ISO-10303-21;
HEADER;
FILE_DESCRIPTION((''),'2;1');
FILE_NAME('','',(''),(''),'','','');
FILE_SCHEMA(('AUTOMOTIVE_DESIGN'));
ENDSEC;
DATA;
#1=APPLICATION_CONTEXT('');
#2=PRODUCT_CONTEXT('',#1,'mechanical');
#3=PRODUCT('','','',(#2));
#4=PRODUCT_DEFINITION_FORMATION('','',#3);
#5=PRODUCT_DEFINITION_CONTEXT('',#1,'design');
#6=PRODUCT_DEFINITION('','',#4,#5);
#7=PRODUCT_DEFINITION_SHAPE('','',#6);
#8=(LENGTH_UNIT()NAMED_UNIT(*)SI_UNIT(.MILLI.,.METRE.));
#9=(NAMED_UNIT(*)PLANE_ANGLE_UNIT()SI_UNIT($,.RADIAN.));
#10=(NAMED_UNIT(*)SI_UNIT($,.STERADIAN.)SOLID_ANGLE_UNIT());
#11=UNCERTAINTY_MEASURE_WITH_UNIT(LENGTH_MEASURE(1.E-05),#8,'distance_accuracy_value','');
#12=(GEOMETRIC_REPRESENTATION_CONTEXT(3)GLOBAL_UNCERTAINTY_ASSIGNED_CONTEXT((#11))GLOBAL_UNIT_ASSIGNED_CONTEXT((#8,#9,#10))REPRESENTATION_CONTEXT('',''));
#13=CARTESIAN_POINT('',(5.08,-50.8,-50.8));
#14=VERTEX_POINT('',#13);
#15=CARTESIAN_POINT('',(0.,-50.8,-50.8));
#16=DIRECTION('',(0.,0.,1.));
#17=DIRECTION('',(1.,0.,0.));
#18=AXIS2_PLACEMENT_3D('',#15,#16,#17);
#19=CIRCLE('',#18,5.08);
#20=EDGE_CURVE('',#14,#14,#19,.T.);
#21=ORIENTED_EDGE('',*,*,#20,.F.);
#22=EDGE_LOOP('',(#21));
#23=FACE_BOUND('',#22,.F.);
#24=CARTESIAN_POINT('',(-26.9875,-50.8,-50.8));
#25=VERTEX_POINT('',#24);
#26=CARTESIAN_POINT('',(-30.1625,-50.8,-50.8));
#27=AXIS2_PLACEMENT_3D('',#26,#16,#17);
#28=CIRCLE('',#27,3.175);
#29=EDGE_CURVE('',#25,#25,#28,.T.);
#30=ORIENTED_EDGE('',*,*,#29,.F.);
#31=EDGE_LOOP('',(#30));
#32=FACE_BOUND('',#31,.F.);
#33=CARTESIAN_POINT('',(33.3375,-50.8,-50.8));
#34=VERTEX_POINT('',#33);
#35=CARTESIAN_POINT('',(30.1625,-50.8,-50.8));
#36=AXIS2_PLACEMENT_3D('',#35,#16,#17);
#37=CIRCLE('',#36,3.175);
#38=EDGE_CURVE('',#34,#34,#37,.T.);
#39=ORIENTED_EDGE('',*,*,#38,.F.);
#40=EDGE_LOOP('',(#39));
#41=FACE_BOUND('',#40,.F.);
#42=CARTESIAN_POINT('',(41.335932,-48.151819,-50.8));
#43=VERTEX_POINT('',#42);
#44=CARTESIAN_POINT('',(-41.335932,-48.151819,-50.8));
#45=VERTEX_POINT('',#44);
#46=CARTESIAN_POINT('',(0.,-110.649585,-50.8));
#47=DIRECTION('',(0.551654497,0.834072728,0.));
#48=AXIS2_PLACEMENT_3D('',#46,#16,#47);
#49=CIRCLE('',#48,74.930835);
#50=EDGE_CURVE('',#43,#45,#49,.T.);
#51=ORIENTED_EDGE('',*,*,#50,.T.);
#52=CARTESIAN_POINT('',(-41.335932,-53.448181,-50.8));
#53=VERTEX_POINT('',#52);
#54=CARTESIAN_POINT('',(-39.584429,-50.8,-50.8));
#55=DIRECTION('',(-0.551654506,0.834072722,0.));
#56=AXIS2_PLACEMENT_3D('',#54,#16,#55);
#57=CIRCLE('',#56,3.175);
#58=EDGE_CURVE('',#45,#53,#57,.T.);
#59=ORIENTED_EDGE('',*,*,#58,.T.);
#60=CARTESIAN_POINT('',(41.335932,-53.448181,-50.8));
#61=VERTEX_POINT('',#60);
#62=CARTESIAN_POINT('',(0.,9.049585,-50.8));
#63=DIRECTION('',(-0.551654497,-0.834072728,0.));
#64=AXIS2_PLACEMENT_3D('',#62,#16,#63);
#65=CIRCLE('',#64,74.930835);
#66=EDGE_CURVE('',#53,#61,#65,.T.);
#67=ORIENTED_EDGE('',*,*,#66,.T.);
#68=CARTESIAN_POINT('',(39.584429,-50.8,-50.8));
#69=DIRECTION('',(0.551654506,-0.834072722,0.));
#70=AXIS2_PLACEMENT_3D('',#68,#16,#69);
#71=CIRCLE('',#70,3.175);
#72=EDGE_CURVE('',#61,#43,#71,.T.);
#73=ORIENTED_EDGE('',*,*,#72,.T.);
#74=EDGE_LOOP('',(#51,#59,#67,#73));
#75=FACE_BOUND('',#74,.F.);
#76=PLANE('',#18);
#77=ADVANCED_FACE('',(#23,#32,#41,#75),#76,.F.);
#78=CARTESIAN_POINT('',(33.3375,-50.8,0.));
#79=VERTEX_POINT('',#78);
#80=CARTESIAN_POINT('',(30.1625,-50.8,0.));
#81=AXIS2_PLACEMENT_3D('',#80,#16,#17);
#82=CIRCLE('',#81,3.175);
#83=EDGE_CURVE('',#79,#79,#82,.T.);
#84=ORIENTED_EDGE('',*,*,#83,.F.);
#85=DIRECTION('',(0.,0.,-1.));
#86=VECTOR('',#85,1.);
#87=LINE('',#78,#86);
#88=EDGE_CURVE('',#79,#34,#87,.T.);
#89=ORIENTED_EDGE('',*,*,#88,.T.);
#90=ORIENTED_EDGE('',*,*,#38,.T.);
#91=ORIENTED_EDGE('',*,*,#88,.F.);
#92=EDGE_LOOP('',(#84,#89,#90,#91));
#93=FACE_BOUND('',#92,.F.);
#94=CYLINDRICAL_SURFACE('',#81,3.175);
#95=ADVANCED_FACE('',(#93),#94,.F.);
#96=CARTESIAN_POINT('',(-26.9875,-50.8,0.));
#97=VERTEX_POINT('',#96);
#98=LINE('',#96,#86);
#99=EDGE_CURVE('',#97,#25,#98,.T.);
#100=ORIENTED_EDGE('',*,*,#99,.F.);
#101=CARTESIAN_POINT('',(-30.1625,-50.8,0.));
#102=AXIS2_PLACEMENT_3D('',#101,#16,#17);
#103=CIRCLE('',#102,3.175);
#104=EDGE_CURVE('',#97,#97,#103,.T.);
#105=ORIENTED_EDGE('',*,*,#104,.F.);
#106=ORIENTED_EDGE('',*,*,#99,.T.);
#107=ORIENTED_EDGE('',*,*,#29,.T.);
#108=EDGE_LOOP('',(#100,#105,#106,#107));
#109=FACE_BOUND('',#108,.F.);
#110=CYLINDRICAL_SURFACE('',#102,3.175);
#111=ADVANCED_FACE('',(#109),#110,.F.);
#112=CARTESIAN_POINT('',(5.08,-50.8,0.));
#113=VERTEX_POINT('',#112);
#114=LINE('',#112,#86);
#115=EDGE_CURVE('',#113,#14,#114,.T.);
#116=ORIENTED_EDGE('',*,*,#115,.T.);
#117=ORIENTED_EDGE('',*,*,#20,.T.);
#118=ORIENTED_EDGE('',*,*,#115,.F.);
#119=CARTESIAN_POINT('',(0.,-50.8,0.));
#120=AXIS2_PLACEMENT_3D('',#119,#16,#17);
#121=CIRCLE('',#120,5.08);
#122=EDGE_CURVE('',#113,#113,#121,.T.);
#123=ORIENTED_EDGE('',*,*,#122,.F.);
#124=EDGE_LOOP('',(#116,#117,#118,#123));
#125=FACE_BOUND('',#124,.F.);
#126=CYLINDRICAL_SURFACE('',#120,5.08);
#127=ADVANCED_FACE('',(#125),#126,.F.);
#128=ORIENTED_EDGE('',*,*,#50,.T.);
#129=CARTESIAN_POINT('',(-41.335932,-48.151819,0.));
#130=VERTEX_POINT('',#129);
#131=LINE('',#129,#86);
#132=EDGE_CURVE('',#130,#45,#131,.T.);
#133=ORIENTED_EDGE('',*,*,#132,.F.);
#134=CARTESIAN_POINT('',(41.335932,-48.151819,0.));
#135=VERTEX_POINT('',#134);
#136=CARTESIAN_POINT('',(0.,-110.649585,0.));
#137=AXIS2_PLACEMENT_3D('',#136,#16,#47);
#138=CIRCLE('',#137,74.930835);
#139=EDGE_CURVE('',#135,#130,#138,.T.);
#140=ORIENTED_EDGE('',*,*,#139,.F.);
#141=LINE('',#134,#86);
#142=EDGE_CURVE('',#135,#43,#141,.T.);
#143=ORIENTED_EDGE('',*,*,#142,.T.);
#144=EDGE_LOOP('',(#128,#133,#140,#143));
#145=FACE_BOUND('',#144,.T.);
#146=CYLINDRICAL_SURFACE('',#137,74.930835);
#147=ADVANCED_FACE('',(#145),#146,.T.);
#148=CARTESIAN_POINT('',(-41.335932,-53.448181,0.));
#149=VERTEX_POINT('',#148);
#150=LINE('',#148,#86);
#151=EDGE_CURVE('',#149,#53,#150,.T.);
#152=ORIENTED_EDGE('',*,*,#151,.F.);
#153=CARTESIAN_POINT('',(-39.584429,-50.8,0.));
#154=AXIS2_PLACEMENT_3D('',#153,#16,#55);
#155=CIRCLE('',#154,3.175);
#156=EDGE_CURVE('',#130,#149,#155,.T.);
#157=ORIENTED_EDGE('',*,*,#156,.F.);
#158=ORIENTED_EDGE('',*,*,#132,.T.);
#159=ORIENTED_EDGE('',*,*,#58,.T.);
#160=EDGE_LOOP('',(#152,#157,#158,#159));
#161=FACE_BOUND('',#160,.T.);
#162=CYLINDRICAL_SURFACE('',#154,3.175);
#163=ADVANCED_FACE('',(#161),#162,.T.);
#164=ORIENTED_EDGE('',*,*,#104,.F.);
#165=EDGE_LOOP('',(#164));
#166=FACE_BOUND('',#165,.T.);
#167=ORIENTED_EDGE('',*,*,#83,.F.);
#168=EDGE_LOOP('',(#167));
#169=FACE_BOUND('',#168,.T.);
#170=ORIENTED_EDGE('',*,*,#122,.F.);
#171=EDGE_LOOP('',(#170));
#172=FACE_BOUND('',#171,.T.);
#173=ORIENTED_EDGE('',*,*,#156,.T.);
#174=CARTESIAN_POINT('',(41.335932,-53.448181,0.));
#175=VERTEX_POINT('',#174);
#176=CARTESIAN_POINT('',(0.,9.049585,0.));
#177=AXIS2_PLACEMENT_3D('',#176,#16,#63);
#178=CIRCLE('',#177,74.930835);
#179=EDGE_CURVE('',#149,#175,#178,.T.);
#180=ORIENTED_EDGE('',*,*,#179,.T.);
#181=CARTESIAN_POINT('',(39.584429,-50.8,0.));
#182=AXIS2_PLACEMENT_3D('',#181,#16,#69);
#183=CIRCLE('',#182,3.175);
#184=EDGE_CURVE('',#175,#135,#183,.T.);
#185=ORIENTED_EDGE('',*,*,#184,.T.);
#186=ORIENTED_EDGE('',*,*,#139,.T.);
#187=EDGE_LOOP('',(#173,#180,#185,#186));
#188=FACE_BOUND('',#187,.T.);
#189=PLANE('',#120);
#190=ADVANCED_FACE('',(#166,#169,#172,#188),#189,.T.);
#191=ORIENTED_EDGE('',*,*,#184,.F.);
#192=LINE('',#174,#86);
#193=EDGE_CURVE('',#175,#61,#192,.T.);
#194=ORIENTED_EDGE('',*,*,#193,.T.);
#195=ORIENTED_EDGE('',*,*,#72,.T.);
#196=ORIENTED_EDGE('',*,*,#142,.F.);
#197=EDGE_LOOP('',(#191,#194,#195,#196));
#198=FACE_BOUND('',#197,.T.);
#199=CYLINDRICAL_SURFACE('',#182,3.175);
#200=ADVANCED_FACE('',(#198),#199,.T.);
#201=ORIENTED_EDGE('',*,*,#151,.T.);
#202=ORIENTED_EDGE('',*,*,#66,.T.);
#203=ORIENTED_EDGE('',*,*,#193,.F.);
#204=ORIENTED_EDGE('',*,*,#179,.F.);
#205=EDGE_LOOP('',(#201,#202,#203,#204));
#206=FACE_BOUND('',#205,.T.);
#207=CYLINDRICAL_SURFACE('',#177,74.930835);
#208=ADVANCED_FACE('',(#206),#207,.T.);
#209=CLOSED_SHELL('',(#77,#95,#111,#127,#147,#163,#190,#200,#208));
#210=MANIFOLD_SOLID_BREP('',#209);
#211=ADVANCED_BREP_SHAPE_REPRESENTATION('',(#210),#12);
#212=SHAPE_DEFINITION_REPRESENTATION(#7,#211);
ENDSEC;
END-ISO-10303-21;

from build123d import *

# Parameters (mm, degrees)
F0_R     = 3.175
F0_R_2   = 5.08
F1_DEPTH = 50.8


with BuildPart() as f1:
    # F0 (on Top) → F1 (new body)
    with BuildSketch(Plane.XY):
        with BuildLine():
            ThreePointArc((41.335932, -53.448181), (42.759429, -50.8), (41.335932, -48.151819))
            ThreePointArc((41.335932, -48.151819), (0, -35.71875), (-41.335932, -48.151819))
            ThreePointArc((-41.335932, -48.151819), (-42.759429, -50.8), (-41.335932, -53.448181))
            ThreePointArc((-41.335932, -53.448181), (0, -65.88125), (41.335932, -53.448181))
        make_face()
        with Locations((-30.1625, -50.8)):
            Circle(F0_R, mode=Mode.SUBTRACT)
        with Locations((0, -50.8)):
            Circle(F0_R_2, mode=Mode.SUBTRACT)
        with Locations((30.1625, -50.8)):
            Circle(F0_R, mode=Mode.SUBTRACT)
    extrude(amount=-F1_DEPTH)


solid = f1.part
